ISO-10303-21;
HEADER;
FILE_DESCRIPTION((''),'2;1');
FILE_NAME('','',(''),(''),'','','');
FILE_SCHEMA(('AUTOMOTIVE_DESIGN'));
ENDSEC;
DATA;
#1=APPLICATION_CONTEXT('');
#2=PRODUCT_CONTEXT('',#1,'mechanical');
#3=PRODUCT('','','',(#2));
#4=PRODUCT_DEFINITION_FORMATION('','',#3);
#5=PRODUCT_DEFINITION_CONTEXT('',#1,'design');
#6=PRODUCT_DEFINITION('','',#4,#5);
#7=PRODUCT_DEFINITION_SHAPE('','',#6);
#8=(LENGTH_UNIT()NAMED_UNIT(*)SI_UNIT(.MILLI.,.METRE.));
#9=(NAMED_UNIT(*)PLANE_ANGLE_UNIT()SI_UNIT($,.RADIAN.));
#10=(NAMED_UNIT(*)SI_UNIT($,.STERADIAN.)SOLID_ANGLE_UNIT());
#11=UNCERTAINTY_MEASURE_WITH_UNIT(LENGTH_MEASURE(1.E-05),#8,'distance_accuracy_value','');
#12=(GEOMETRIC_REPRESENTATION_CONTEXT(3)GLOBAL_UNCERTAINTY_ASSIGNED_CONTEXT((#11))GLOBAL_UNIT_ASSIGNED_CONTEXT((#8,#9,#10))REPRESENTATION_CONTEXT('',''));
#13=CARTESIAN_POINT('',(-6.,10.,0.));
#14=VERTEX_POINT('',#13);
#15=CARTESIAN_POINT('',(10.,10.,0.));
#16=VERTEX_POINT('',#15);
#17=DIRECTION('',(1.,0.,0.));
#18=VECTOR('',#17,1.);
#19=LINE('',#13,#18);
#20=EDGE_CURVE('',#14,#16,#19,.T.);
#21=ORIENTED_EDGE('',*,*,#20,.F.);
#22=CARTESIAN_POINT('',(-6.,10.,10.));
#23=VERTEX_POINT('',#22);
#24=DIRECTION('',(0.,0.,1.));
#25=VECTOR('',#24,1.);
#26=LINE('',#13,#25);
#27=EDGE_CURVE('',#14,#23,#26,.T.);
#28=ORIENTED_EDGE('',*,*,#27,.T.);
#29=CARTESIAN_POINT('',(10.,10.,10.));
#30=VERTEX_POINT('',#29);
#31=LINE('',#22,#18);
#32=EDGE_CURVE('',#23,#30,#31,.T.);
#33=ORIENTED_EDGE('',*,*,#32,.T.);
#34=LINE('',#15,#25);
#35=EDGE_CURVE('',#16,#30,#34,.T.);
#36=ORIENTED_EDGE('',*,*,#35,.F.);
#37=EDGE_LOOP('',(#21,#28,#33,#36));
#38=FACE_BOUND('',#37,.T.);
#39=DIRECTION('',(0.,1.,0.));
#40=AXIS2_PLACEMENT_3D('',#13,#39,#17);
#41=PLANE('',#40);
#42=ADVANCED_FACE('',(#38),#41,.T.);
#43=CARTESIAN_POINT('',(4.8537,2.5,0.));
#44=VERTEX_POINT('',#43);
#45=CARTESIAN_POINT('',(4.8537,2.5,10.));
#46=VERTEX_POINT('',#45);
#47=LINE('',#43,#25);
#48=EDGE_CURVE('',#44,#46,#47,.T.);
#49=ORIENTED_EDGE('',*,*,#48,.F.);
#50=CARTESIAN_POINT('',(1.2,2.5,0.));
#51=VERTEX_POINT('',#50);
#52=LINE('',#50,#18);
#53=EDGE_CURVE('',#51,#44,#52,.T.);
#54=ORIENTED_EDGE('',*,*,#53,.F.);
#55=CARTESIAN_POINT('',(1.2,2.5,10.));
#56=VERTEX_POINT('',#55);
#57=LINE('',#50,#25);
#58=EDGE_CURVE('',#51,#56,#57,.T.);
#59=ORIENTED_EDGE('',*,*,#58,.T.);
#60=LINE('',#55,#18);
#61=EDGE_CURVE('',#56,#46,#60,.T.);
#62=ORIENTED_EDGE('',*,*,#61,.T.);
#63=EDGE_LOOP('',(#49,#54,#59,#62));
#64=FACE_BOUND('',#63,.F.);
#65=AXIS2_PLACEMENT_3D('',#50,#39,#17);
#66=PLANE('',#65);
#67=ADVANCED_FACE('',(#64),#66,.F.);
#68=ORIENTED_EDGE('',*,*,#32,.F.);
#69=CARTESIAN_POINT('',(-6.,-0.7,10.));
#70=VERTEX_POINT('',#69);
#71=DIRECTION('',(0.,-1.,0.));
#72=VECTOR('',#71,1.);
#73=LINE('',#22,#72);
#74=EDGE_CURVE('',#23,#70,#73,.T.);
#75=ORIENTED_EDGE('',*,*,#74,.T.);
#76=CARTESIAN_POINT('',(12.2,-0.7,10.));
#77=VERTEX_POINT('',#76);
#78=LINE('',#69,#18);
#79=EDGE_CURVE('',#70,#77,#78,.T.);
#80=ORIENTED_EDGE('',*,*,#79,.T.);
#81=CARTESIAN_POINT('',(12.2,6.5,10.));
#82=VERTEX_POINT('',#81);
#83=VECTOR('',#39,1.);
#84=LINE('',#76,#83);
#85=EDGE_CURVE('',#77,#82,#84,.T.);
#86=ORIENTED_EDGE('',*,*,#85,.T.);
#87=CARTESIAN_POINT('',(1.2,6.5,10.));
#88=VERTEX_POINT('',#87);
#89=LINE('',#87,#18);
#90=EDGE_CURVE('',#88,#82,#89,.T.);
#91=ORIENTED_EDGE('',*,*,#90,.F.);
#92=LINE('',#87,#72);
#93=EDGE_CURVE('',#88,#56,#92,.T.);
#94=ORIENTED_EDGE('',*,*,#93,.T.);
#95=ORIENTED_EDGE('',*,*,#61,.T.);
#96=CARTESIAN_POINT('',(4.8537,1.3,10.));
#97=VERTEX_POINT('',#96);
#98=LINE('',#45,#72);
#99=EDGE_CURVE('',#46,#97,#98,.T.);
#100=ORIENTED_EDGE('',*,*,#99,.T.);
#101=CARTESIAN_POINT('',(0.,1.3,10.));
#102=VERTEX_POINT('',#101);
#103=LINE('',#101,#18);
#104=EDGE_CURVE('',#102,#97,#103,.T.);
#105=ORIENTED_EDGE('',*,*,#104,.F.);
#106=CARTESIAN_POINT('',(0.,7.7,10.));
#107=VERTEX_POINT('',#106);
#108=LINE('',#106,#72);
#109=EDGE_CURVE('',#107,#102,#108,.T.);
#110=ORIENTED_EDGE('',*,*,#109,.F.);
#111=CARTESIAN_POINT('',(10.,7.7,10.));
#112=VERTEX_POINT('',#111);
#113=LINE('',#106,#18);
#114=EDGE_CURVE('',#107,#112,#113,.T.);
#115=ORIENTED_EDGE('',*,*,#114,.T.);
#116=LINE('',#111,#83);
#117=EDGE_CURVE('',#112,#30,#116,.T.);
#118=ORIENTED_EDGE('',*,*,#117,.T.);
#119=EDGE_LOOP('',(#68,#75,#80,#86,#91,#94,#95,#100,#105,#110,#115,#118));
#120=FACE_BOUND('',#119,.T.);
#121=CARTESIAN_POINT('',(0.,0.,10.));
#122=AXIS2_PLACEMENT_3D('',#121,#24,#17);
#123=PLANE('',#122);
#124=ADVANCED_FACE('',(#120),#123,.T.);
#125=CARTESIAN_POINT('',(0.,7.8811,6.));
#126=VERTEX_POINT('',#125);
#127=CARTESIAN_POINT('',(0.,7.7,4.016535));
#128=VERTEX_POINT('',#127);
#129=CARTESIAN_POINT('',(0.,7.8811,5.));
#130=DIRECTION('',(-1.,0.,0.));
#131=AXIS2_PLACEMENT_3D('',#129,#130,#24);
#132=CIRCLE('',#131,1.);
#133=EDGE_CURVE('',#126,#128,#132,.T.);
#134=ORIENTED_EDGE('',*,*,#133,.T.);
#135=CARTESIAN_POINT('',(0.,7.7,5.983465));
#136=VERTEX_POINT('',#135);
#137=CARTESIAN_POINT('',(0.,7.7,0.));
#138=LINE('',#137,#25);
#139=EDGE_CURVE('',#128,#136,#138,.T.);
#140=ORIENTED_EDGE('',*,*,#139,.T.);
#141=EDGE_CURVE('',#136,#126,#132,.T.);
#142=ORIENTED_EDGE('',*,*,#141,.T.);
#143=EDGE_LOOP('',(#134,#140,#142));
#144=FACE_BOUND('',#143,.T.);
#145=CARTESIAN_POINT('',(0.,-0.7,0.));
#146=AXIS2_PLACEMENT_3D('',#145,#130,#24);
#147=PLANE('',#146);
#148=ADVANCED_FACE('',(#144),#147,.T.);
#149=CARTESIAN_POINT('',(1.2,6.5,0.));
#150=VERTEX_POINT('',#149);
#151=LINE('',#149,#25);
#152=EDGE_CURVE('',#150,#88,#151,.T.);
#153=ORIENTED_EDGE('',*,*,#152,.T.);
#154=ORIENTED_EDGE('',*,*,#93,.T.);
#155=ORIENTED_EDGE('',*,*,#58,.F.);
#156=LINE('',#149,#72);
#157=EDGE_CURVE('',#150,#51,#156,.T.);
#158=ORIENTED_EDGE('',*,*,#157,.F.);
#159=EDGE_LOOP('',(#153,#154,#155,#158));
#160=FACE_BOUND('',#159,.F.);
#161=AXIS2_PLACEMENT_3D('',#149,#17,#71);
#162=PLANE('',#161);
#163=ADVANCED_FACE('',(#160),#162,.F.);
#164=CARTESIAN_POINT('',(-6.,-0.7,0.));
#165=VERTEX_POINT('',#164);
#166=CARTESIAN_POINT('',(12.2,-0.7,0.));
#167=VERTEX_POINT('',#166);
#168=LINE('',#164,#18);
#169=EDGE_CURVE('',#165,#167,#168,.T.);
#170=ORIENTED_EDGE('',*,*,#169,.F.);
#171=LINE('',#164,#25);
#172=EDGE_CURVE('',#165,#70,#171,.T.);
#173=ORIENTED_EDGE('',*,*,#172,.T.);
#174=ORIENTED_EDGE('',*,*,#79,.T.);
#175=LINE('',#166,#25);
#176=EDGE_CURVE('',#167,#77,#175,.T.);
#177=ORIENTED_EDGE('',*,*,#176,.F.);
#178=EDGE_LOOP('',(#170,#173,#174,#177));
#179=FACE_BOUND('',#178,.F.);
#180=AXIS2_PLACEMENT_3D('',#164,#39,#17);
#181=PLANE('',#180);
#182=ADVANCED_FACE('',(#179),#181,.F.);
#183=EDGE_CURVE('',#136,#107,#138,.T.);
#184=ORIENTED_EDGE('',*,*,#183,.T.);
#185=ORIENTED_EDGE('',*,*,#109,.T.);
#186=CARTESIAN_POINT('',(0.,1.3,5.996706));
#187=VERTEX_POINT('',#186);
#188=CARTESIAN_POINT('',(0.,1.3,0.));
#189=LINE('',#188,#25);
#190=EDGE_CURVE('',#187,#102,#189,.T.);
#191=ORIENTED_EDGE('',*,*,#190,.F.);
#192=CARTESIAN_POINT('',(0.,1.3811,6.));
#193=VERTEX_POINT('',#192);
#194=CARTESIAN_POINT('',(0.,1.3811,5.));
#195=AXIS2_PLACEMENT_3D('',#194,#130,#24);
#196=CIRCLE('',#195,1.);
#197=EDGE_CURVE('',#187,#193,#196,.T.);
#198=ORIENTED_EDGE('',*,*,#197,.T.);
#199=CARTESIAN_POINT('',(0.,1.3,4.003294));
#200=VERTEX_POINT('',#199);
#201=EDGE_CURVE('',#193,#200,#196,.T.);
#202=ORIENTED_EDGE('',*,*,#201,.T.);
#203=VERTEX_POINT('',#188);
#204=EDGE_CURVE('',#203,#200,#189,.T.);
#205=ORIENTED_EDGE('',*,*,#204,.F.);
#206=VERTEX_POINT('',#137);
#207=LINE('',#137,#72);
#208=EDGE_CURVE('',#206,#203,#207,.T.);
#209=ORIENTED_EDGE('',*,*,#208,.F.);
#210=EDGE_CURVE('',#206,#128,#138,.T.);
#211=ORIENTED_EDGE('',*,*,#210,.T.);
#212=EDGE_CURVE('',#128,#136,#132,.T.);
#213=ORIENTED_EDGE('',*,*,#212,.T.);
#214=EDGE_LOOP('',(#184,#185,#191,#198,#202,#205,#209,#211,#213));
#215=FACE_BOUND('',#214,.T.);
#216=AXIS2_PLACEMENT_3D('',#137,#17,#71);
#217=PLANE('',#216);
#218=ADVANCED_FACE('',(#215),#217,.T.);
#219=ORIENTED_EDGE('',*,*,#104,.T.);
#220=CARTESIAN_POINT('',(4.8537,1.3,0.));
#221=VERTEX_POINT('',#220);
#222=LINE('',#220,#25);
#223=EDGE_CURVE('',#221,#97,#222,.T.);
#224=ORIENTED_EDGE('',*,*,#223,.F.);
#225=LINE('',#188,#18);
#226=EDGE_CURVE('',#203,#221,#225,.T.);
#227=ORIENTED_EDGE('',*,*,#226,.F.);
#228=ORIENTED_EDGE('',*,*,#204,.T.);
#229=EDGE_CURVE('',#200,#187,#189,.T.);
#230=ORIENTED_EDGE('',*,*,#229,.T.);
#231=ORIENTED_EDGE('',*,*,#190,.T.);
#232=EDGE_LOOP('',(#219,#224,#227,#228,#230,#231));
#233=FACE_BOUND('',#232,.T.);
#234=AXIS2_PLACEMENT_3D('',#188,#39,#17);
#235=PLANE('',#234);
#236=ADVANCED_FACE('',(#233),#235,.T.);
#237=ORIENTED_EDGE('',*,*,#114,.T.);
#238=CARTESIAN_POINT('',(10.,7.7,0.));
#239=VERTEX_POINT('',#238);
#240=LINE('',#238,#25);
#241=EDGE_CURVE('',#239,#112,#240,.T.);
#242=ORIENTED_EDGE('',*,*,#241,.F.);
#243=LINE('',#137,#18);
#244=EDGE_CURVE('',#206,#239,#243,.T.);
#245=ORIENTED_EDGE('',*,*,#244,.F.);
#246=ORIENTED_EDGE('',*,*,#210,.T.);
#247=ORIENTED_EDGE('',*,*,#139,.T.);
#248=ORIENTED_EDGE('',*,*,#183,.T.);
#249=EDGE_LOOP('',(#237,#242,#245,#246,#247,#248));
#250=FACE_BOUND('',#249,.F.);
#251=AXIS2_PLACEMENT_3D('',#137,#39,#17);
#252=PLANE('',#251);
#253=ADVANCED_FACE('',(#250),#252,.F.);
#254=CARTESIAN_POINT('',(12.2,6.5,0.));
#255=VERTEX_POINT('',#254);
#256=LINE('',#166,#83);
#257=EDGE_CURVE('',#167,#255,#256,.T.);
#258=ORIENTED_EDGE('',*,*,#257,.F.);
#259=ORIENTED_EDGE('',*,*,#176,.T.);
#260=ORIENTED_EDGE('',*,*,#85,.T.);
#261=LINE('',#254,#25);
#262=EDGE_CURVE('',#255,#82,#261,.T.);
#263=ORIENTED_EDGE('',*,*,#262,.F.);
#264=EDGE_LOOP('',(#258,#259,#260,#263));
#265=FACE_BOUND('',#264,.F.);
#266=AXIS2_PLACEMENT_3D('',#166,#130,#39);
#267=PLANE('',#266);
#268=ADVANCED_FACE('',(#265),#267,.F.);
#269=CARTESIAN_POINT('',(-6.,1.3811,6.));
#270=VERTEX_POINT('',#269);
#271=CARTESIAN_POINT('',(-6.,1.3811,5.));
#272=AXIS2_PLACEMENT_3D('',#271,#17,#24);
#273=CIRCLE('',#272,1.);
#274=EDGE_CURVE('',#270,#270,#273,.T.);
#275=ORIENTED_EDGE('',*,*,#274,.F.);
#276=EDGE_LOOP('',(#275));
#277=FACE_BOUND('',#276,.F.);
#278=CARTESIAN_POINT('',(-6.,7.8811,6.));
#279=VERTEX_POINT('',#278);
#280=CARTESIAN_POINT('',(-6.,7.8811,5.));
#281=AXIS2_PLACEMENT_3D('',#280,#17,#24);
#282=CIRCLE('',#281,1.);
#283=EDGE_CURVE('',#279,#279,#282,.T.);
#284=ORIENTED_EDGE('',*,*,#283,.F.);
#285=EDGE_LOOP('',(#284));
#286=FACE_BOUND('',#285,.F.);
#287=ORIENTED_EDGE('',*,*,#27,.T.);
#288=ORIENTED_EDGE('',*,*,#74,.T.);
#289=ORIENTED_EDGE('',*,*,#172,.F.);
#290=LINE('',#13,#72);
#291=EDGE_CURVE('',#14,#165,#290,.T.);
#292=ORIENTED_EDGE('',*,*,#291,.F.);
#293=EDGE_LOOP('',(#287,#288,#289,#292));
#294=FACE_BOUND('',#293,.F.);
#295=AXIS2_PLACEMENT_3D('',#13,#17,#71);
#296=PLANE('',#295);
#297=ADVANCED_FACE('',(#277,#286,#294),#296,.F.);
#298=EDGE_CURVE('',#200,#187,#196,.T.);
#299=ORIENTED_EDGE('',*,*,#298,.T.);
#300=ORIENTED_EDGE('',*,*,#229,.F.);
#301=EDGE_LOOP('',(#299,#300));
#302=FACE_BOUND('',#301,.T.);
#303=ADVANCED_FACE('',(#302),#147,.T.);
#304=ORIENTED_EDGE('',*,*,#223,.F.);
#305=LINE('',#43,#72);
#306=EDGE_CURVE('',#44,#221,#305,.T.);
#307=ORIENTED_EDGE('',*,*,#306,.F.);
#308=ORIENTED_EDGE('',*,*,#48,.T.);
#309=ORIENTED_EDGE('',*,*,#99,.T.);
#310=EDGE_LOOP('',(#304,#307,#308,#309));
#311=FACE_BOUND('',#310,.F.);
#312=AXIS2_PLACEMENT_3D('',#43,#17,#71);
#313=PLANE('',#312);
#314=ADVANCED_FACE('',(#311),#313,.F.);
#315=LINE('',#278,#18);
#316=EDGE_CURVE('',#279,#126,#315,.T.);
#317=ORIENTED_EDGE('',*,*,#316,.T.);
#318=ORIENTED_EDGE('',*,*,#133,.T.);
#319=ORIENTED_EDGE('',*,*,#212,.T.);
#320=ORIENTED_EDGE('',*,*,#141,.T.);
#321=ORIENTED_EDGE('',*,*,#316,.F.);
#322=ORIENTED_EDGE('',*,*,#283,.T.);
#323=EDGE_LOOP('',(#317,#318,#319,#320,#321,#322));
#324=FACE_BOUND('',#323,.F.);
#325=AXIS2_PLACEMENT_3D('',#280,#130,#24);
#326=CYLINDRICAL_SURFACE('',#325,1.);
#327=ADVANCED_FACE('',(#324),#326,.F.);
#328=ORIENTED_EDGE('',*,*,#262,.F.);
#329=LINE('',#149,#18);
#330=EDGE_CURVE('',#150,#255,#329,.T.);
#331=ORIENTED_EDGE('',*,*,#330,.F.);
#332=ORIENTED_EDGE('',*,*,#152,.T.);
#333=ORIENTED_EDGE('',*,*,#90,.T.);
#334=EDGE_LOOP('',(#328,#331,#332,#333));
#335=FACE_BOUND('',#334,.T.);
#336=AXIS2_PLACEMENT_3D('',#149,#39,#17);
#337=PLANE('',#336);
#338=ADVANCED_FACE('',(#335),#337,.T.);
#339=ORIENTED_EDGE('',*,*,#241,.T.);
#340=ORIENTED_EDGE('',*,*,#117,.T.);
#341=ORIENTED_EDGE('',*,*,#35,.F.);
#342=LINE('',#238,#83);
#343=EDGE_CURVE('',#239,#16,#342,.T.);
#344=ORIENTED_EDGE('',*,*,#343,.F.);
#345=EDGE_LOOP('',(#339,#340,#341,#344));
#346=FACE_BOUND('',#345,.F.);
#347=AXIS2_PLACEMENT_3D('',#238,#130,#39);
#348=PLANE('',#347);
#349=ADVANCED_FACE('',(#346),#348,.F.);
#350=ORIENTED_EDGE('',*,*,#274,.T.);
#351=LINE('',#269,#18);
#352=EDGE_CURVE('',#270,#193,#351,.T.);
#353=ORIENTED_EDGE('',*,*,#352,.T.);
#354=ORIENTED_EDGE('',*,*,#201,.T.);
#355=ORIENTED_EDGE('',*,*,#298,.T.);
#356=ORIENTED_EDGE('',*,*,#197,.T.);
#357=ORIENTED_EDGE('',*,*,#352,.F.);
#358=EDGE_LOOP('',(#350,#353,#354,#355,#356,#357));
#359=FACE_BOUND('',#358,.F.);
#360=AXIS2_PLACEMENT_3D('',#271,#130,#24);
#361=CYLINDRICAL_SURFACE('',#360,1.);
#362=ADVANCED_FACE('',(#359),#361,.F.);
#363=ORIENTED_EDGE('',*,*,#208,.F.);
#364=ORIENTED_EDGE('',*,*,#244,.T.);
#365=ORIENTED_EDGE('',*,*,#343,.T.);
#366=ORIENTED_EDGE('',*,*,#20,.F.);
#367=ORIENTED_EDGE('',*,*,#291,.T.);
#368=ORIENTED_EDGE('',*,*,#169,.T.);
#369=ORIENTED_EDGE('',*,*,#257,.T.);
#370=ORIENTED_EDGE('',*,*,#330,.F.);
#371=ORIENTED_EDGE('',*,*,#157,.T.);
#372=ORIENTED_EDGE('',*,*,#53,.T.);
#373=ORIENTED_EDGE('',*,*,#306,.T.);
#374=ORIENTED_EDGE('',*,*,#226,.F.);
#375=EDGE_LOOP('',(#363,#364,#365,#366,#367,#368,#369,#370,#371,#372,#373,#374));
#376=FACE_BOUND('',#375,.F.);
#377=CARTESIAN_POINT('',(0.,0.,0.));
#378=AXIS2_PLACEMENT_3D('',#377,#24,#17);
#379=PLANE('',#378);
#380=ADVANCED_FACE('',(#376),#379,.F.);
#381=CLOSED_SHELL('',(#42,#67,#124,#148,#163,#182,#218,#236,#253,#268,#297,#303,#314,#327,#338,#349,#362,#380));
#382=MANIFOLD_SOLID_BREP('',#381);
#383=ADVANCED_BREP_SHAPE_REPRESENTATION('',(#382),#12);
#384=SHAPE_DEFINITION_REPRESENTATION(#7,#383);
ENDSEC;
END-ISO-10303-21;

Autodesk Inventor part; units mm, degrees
ref_plane "YZ Plane" through (0, 0, 0) normal (1, 0, 0) x (0, 1, 0)
ref_plane "XZ Plane" through (0, 0, 0) normal (0, 1, 0) x (-1, 0, 0)
ref_plane "XY Plane" through (0, 0, 0) normal (0, 0, 1) x (1, 0, 0)
sketch "Sketch1" plane through (0, 0, 0) normal (0, 0, 1) x (1, 0, 0)
  line L0 (0, 7.7) -> (0, 1.3)
  line L1 (1.2, 6.5) -> (12.2, 6.5)
  line L2 (1.2, 2.5) -> (4.8537, 2.5)
  line L3 (1.2, 6.5) -> (1.2, 2.5)
  line L4 (0, 1.3) -> (4.8537, 1.3)
  line L5 (4.8537, 2.5) -> (4.8537, 1.3)
  line L6 (12.2, -0.7) -> (12.2, 6.5)
  line L7 (0, 7.7) -> (10, 7.7)
  line L8 (10, 7.7) -> (10, 10)
  line L9 (-6, 10) -> (-6, -0.7)
  line L10 (-6, 10) -> (10, 10)
  line L11 (-6, -0.7) -> (12.2, -0.7)
  dimension "d7" = 1.2
  dimension "d9" = 1.2
  dimension "d10" = 11
  dimension "d12" = 1.2
  dimension "d13" = 4
  dimension "d21" = 6
extrude "Extrusion3" add sketch "Sketch1" along normal blind 10
sketch "Sketch3" plane through (-6, -0.7, 0) normal (-1, 0, 0) x (0, 0, 1)
  circle A0 centre (5, 8.5811) radius 1
  circle A1 centre (5, 2.0811) radius 1
  line L0 (0, 0) -> (0, 10.7) projected
  line L1 (0, 0) -> (10, 0) projected
  line L2 (10, 10.7) -> (10, 0) projected
  line L3 (0, 10.7) -> (10, 10.7) projected
  line L4 (5, 10.7) -> (5, 0)
  point P0 (0, 0.7)
  dimension "d24" = 2
  dimension "d25" = 2
  dimension "d26" = 6.5
extrude "Extrusion4" cut sketch "Sketch3" against normal blind 6 contours A0 L4 | L4 A0 | L4 A1 | A1 L4
properties part number "endstop mount"
